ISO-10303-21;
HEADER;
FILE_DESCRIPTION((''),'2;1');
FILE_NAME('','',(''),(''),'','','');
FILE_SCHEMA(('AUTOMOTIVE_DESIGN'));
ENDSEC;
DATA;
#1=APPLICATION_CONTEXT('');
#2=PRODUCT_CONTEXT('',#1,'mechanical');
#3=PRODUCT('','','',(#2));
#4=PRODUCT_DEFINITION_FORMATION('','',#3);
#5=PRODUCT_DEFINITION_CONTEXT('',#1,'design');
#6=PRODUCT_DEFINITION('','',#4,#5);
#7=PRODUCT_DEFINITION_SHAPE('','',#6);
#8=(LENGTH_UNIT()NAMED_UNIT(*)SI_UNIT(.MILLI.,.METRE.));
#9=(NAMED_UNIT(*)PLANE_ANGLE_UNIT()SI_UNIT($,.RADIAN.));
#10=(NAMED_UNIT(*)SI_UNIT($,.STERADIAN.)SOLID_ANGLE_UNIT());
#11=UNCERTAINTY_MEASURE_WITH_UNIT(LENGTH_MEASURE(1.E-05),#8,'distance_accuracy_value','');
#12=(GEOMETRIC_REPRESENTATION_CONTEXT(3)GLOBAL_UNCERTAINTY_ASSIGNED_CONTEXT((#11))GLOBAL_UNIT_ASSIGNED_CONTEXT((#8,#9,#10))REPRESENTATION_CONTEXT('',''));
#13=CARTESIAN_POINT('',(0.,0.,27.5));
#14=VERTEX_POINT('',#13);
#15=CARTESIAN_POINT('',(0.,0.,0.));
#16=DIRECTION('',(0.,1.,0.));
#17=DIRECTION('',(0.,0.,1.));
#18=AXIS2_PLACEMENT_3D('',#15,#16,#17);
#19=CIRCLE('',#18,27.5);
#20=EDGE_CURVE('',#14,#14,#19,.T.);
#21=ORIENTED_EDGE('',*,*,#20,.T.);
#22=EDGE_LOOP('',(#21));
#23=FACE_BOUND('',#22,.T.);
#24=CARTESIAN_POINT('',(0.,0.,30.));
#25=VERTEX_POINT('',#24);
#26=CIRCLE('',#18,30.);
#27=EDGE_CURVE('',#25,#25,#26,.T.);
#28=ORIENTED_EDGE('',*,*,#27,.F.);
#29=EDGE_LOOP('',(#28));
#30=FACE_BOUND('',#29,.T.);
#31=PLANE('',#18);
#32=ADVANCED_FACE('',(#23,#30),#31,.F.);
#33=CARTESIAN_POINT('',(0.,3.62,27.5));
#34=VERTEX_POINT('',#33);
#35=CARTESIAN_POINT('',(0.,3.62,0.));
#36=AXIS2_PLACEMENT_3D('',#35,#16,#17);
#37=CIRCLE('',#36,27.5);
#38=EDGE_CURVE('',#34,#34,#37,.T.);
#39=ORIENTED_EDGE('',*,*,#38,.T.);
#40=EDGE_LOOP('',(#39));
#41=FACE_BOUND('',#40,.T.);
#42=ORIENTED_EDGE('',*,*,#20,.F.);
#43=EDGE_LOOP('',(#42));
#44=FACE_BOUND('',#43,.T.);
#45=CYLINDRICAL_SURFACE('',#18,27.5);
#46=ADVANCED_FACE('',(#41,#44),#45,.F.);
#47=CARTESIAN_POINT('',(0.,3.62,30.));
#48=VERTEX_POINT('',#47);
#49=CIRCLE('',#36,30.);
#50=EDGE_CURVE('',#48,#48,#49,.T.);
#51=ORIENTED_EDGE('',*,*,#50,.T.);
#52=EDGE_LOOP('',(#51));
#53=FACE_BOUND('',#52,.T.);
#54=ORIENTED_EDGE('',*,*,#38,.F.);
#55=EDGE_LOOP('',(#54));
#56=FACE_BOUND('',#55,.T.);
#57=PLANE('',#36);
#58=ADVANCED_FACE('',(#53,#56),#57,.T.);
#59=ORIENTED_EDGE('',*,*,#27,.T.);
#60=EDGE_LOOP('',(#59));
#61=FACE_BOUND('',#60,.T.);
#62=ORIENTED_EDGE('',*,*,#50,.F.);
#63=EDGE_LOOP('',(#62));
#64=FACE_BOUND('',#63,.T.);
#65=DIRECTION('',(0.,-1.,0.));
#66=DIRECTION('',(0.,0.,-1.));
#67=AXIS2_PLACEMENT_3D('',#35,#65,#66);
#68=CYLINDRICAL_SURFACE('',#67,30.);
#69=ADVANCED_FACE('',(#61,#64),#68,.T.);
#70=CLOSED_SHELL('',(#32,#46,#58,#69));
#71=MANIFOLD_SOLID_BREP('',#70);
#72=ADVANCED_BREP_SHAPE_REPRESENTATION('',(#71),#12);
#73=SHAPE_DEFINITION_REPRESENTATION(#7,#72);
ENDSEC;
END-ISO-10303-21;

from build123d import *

# Parameters (mm, degrees)
SKETCH1_R           = 30
BOSS_EXTRUDE1_DEPTH = 3.62
SKETCH3_R           = 27.5
CUT_EXTRUDE1_DEPTH  = 3.62


with BuildPart() as part:
    # Sketch1 → Boss-Extrude1 (new body)
    with BuildSketch(Plane(origin=(0, 0, 0), x_dir=(1, 0, 0), z_dir=(0, 1, 0))):
        with Locations(Location((0, 0, 0), (0, 0, 270))):
            Circle(SKETCH1_R)
    extrude(amount=BOSS_EXTRUDE1_DEPTH)

    # Sketch3 → Cut-Extrude1 (cut)
    with BuildSketch(Plane(origin=(0, 3.62, 0), x_dir=(1, 0, 0), z_dir=(0, 1, 0))):
        with Locations(Location((0, 0, 0), (0, 0, 270))):
            Circle(SKETCH3_R)
    extrude(amount=-CUT_EXTRUDE1_DEPTH, mode=Mode.SUBTRACT)


solid = part.part
